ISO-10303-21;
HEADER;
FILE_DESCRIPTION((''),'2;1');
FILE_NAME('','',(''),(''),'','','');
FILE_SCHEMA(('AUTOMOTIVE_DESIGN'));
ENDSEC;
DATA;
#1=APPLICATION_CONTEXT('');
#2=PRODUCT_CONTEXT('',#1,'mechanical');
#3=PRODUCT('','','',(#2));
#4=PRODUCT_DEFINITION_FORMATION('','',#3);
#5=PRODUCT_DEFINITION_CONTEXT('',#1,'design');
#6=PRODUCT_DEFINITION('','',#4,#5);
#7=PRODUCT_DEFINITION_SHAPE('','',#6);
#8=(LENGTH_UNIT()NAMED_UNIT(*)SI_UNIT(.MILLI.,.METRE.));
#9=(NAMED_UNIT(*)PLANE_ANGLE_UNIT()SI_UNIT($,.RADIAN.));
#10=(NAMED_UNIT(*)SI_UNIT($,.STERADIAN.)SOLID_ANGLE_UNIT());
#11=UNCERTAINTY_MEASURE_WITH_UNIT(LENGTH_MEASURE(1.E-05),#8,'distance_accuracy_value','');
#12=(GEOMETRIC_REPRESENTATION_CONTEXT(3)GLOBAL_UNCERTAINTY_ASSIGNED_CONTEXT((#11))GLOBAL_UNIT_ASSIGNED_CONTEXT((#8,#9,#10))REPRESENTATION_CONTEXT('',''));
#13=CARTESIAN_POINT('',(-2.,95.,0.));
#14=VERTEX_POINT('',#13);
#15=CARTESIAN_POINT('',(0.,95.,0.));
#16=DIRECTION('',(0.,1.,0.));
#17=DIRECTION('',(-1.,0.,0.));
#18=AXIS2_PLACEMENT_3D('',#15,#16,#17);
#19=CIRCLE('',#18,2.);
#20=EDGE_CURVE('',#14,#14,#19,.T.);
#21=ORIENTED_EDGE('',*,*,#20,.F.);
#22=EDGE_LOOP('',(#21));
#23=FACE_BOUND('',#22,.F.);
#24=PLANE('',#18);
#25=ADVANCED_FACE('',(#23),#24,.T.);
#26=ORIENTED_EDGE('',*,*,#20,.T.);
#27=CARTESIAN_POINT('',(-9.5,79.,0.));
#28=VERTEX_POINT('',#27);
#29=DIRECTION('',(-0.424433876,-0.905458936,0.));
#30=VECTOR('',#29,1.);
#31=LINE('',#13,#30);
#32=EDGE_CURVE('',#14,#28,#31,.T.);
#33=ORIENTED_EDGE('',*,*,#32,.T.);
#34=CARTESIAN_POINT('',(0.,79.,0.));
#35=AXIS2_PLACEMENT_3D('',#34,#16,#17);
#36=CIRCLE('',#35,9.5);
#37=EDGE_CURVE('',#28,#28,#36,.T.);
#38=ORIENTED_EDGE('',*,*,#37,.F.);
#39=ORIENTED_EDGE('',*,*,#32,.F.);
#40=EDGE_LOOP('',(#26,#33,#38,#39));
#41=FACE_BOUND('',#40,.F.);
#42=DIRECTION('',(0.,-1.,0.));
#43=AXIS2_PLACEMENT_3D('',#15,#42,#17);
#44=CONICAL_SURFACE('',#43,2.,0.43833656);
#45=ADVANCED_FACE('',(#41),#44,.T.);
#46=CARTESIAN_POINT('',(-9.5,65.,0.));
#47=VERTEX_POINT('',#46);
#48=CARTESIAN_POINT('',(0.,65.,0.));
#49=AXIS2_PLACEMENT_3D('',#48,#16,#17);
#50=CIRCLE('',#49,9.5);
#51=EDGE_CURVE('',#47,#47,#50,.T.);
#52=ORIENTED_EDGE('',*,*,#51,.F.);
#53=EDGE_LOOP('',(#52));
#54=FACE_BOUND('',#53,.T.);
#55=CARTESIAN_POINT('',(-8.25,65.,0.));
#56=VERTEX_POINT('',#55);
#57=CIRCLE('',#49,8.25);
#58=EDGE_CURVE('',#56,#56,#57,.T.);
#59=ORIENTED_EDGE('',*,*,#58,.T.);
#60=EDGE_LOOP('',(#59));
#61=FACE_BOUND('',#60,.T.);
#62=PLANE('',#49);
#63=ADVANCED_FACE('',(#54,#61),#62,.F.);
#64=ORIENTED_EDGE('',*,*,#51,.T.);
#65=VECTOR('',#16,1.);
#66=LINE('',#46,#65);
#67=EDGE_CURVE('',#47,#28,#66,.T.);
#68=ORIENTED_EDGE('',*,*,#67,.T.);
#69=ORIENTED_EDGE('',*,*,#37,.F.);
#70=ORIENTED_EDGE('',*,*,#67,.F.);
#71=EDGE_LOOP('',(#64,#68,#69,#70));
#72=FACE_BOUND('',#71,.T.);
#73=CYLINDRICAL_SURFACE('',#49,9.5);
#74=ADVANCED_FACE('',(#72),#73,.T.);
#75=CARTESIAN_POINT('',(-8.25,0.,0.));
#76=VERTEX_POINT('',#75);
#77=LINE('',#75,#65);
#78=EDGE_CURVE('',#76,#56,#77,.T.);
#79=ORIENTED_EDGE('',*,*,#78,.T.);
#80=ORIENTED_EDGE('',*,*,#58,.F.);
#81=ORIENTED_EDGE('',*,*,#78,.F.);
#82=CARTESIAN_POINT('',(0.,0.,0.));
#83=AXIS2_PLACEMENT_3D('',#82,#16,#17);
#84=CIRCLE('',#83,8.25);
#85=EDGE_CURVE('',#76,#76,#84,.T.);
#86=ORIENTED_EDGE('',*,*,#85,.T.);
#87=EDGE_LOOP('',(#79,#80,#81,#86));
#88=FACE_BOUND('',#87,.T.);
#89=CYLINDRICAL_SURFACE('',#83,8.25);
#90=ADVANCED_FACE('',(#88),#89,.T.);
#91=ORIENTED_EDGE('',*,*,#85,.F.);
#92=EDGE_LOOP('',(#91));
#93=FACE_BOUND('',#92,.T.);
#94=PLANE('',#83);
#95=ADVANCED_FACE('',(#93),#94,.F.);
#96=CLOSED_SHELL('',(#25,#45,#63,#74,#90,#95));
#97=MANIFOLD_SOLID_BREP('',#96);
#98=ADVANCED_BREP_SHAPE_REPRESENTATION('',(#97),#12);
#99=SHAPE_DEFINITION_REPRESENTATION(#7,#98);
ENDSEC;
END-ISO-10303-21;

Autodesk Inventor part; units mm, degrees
ref_plane "YZ Plane" through (0, 0, 0) normal (1, 0, 0) x (0, 1, 0)
ref_plane "XZ Plane" through (0, 0, 0) normal (0, 1, 0) x (-1, 0, 0)
ref_plane "XY Plane" through (0, 0, 0) normal (0, 0, 1) x (1, 0, 0)
sketch "Sketch1" plane through (0, 0, 0) normal (0, 0, 1) x (1, 0, 0)
  line L0 (0, 0) -> (-8.25, 0)
  line L1 (-8.25, 0) -> (-8.25, 65)
  line L2 (-8.25, 65) -> (-9.5, 65)
  line L3 (-9.5, 65) -> (-9.5, 79)
  line L4 (0, 0) -> (0, 95)
  line L5 (0, 95) -> (-2, 95)
  line L6 (-2, 95) -> (-9.5, 79)
  dimension "d0" = 8.25
  dimension "d1" = 65
  dimension "d2" = 1.25
  dimension "d3" = 14
  dimension "d4" = 95
  dimension "d5" = 2
revolve "Revolution1" add sketch "Sketch1" angle 360 about axis through (0, 0, 0) along (0, 1, 0)
properties part number "soldering_lead_tube"
